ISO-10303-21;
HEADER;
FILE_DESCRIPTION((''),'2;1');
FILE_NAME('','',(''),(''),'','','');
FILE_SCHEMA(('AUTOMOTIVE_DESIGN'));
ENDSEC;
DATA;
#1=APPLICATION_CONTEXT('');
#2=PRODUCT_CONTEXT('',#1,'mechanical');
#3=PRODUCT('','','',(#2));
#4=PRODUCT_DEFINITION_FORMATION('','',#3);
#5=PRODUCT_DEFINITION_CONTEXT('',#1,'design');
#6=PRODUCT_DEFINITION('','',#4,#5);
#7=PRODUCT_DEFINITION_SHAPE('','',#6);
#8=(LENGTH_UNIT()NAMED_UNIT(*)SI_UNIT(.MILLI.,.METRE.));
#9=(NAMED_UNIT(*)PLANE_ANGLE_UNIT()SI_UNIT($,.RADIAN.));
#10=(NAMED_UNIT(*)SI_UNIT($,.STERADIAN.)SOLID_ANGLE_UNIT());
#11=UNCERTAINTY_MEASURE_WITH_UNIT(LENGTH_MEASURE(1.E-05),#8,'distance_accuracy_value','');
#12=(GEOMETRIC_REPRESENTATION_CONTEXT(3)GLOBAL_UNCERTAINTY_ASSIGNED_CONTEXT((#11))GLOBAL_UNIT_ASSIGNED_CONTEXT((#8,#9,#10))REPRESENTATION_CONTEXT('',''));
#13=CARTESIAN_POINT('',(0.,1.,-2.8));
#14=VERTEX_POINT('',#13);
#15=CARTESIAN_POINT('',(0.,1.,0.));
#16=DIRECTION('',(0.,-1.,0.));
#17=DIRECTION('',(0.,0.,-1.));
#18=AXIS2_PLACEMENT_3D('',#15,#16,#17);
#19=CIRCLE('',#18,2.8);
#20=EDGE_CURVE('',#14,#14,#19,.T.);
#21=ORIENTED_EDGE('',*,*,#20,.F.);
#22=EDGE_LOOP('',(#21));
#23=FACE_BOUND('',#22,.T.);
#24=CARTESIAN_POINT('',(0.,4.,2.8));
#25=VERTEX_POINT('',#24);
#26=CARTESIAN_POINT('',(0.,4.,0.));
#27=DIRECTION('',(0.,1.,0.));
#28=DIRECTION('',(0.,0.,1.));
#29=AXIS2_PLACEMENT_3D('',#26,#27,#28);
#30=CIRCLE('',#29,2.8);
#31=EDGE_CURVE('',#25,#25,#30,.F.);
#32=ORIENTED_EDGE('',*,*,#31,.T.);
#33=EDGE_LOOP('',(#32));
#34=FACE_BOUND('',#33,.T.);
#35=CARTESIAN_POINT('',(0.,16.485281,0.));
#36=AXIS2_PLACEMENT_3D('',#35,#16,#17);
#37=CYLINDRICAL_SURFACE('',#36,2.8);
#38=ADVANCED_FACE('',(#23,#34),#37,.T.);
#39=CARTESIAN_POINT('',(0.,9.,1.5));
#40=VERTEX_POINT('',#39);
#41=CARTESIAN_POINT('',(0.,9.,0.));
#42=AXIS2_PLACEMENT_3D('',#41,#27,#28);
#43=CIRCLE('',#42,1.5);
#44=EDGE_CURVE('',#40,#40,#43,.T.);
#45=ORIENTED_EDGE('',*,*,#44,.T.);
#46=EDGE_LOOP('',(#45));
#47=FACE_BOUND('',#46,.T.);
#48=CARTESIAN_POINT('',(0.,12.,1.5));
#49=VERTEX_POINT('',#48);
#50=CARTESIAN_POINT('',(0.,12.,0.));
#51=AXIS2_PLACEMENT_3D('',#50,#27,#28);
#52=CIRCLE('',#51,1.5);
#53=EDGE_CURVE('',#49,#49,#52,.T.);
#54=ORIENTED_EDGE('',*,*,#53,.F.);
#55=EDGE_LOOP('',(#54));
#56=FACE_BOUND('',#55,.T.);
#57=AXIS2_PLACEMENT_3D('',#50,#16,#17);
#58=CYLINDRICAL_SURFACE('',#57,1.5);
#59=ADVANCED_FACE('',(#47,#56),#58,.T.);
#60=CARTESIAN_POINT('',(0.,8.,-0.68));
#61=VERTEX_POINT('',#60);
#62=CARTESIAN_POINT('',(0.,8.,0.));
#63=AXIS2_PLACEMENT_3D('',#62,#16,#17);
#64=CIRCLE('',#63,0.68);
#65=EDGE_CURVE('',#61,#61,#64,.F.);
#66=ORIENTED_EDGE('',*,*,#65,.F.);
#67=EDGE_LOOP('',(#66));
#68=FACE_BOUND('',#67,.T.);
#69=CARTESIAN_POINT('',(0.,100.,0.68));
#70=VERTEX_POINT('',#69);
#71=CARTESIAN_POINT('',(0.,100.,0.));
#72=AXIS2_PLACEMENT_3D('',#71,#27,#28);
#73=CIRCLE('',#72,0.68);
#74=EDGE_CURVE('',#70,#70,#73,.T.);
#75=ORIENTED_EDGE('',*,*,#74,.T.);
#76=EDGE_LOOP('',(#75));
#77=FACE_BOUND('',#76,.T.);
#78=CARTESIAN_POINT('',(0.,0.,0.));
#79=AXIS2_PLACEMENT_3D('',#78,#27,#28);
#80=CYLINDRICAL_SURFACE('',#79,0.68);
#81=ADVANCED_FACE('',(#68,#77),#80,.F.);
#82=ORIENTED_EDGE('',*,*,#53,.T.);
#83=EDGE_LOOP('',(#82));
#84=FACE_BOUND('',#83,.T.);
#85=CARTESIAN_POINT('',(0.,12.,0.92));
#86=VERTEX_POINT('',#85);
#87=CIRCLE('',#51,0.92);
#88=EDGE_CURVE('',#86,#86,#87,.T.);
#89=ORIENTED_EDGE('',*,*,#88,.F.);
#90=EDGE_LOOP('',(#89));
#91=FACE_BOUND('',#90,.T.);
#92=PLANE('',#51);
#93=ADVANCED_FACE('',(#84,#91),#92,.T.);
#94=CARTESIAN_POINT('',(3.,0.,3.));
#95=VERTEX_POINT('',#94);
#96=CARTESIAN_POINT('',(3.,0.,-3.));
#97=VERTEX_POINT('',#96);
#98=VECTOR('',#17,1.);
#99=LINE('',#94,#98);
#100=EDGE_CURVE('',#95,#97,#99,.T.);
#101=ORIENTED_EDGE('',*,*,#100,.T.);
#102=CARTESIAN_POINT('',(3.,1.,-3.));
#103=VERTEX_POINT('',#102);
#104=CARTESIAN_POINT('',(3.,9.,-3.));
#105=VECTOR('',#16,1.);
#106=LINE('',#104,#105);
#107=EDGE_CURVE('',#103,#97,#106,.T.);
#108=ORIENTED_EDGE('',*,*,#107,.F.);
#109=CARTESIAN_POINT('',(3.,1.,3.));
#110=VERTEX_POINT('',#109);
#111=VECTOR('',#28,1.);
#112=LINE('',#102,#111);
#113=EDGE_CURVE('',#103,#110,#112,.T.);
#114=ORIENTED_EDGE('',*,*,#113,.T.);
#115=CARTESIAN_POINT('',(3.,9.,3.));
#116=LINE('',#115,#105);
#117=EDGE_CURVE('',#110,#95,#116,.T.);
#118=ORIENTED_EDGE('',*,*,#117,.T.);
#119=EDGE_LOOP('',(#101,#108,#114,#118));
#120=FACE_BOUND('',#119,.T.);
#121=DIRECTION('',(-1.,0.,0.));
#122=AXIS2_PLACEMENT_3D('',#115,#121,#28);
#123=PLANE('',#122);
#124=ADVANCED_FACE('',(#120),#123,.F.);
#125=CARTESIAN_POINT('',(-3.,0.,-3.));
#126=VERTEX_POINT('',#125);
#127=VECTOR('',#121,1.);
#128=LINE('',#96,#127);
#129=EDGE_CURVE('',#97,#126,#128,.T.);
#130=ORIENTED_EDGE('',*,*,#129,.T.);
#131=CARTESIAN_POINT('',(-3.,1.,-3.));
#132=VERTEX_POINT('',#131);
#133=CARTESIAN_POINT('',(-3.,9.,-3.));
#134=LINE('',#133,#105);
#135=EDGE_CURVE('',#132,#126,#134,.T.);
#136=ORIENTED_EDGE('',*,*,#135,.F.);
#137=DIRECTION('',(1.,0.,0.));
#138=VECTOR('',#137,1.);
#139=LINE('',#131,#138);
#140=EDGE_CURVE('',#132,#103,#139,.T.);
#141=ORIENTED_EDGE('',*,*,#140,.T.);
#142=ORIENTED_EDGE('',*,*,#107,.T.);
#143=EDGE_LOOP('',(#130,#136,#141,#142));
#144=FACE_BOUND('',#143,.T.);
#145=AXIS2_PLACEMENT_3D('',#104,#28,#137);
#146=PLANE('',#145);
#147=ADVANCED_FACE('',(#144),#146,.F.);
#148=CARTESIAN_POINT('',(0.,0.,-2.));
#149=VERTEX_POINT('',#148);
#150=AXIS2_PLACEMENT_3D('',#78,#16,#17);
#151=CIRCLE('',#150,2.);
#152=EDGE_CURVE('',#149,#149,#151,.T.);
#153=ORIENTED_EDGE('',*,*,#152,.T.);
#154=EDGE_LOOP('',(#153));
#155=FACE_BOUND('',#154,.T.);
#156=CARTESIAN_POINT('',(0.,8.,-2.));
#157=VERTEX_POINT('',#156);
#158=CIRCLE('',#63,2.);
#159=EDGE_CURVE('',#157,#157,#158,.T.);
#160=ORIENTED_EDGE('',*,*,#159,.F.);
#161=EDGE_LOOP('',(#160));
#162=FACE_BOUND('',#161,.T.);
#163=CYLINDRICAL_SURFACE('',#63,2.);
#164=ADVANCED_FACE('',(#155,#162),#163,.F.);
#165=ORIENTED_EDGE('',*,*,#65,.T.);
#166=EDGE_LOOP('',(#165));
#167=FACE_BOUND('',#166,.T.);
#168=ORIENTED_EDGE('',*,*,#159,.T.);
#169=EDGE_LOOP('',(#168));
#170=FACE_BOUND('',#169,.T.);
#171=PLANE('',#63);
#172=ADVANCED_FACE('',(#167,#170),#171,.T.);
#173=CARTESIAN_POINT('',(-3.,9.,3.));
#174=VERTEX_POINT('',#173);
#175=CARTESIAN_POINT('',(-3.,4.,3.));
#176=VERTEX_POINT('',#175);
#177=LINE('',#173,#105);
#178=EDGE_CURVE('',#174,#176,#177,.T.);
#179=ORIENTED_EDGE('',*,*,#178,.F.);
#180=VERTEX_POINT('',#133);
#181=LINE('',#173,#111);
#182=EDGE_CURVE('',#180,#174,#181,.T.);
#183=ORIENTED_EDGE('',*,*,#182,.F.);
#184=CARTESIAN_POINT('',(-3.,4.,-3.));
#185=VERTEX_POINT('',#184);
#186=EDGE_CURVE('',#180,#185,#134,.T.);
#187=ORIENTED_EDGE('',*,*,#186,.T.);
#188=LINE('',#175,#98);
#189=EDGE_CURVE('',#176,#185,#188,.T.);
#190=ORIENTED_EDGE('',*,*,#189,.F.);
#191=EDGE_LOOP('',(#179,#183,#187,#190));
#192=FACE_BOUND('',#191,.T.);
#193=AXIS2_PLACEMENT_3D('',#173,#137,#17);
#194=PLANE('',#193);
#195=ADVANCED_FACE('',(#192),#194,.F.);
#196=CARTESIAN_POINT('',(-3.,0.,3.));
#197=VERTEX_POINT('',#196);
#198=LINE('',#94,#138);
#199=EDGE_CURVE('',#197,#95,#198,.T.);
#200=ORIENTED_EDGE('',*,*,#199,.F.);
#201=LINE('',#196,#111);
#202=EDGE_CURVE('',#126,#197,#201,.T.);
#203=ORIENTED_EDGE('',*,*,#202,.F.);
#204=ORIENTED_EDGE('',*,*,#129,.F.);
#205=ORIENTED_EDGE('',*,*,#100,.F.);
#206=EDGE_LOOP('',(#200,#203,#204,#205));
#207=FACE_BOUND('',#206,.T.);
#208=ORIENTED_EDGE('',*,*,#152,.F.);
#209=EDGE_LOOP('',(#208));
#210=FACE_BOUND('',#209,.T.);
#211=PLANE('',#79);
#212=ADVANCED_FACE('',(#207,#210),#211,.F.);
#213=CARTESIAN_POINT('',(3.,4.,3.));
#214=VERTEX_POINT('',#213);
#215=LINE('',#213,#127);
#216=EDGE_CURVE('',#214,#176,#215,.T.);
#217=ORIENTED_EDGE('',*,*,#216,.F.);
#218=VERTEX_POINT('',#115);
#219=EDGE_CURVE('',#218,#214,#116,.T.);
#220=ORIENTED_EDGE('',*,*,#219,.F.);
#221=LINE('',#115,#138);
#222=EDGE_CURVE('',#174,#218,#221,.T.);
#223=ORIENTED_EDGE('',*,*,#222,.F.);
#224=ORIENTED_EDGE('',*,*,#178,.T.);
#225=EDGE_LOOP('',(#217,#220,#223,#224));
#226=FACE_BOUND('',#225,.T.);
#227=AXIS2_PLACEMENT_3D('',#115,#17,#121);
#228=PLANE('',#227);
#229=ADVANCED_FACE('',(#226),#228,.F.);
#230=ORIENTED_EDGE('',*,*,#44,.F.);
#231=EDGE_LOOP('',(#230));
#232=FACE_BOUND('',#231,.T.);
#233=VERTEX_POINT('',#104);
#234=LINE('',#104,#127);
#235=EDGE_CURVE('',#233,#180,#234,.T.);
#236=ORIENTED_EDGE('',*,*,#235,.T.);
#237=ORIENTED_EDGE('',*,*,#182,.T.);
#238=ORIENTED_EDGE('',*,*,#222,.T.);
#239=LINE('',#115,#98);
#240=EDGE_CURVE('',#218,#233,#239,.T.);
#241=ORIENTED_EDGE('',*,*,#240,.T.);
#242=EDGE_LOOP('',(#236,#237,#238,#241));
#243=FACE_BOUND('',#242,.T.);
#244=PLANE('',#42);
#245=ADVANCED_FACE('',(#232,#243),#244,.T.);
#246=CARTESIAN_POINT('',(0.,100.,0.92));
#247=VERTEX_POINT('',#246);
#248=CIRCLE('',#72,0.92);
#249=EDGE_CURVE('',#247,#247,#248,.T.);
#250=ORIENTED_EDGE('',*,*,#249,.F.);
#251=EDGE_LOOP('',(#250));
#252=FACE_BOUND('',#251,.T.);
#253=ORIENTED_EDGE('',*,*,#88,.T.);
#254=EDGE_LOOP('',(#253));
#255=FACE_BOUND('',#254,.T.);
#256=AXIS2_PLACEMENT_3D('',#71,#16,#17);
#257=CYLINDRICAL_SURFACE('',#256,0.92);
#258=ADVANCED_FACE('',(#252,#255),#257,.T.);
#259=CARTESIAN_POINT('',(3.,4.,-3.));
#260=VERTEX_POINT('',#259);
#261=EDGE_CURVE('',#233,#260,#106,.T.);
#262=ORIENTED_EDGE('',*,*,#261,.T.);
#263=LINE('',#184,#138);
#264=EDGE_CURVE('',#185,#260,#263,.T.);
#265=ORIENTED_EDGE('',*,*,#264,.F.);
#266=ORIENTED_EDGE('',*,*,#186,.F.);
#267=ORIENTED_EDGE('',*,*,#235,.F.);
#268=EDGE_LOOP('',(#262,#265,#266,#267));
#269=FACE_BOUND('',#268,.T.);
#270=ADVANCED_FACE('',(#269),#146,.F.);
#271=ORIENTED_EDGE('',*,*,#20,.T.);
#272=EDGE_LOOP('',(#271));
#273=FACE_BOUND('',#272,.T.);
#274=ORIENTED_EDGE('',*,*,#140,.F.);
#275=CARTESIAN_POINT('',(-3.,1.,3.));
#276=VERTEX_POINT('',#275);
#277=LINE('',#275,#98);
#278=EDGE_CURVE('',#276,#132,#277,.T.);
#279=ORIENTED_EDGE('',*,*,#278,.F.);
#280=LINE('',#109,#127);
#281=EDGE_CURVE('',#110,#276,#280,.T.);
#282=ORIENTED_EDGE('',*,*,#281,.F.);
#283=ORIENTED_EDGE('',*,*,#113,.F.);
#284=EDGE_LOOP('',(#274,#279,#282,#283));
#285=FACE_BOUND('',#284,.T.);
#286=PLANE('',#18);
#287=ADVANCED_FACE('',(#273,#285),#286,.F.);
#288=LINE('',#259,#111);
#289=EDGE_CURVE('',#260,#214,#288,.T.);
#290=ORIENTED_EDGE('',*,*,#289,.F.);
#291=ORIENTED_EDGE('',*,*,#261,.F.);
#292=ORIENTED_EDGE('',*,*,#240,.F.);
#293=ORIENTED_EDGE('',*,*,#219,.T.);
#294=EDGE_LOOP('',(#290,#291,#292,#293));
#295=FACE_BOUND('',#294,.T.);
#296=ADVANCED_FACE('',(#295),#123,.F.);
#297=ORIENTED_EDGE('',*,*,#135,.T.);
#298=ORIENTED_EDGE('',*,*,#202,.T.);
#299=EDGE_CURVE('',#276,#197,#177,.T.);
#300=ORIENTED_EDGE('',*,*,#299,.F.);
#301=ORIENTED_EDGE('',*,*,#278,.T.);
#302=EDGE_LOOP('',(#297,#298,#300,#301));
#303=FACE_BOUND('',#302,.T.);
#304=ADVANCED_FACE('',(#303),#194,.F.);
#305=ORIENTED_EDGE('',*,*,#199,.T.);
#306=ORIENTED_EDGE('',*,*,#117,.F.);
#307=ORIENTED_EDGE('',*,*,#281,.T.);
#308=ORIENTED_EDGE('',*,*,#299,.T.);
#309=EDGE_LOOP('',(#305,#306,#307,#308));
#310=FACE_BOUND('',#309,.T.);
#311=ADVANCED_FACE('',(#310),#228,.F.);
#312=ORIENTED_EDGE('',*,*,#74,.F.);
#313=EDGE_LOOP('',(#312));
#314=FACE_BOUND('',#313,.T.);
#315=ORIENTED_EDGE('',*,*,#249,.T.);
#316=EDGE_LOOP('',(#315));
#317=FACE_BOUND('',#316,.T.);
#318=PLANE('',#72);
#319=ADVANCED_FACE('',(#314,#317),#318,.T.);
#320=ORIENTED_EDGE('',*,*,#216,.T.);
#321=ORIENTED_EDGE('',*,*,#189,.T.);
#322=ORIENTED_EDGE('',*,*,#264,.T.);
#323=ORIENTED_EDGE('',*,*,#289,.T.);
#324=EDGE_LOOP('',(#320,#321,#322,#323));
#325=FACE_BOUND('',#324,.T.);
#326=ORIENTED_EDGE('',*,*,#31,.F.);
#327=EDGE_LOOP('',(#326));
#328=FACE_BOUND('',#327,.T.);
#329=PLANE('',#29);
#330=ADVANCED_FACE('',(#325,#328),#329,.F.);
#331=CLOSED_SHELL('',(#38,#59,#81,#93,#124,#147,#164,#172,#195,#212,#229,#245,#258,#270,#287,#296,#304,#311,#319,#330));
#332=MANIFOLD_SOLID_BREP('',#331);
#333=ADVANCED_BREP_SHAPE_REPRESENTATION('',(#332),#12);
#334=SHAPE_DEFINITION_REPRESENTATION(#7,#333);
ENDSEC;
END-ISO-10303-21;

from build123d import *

# Parameters (mm, degrees)
SKETCH1_W               = 6
SKETCH1_H               = 6
BOSS_EXTRUDE1_DEPTH     = 9
SKETCH2_R               = 1.5
BOSS_EXTRUDE2_DEPTH     = 3
CUT_EXTRUDE1_DEPTH      = 13.727922061
CUT_EXTRUDE1_DEPTH_BACK = 13.727922061
SKETCH3_R               = 0.68
BOSS_EXTRUDE3_START     = 88
SKETCH3_3_R             = 0.92
SKETCH3_3_R_2           = 0.68
BOSS_EXTRUDE3_DEPTH     = 88
SKETCH4_R               = 2
CUT_EXTRUDE2_DEPTH      = 8
CUT_EXTRUDE3_START      = -1
SKETCH6_W               = 6
SKETCH6_H               = 6
SKETCH6_R               = 2.8
CUT_EXTRUDE3_DEPTH      = 3


with BuildPart() as part:
    # Sketch1 → Boss-Extrude1 (new body)
    with BuildSketch(Plane(origin=(0, 0, 0), x_dir=(1, 0, 0), z_dir=(0, 1, 0))):
        Rectangle(SKETCH1_W, SKETCH1_H)
    extrude(amount=BOSS_EXTRUDE1_DEPTH)

    # Sketch2 → Boss-Extrude2 (add)
    with BuildSketch(Plane(origin=(0, 9, 0), x_dir=(1, 0, 0), z_dir=(0, 1, 0))):
        with Locations(Location((0, 0, 0), (0, 0, 270))):
            Circle(SKETCH2_R)
    extrude(amount=BOSS_EXTRUDE2_DEPTH)

    # Sketch3 → Cut-Extrude1 (cut, two sides: drawn at the far end of the back side and taken through both)
    with BuildSketch(Plane(origin=(0, 12, 0), x_dir=(1, 0, 0), z_dir=(0, 1, 0)).offset(-CUT_EXTRUDE1_DEPTH_BACK)):
        with Locations(Location((0, 0, 0), (0, 0, 270))):
            Circle(SKETCH3_R)
    extrude(amount=CUT_EXTRUDE1_DEPTH + CUT_EXTRUDE1_DEPTH_BACK, mode=Mode.SUBTRACT)

    # Sketch3<3> → Boss-Extrude3 (add)
    with BuildSketch(Plane(origin=(0, 12, 0), x_dir=(1, 0, 0), z_dir=(0, 1, 0)).offset(BOSS_EXTRUDE3_START)):
        with Locations(Location((0, 0, 0), (0, 0, 270))):
            Circle(SKETCH3_3_R)
        with Locations(Location((0, 0, 0), (0, 0, 270))):
            Circle(SKETCH3_3_R_2, mode=Mode.SUBTRACT)
    extrude(amount=-BOSS_EXTRUDE3_DEPTH)

    # Sketch4 → Cut-Extrude2 (cut)
    with BuildSketch(Plane.XZ):
        with Locations(Location((0, 0, 0), (0, 0, 270))):
            Circle(SKETCH4_R)
    extrude(amount=-CUT_EXTRUDE2_DEPTH, mode=Mode.SUBTRACT)

    # Sketch6 → Cut-Extrude3 (cut)
    with BuildSketch(Plane.XZ.offset(CUT_EXTRUDE3_START)):
        Rectangle(SKETCH6_W, SKETCH6_H)
        with Locations(Location((0, 0, 0), (0, 0, 270))):
            Circle(SKETCH6_R, mode=Mode.SUBTRACT)
    extrude(amount=-CUT_EXTRUDE3_DEPTH, mode=Mode.SUBTRACT)


solid = part.part
